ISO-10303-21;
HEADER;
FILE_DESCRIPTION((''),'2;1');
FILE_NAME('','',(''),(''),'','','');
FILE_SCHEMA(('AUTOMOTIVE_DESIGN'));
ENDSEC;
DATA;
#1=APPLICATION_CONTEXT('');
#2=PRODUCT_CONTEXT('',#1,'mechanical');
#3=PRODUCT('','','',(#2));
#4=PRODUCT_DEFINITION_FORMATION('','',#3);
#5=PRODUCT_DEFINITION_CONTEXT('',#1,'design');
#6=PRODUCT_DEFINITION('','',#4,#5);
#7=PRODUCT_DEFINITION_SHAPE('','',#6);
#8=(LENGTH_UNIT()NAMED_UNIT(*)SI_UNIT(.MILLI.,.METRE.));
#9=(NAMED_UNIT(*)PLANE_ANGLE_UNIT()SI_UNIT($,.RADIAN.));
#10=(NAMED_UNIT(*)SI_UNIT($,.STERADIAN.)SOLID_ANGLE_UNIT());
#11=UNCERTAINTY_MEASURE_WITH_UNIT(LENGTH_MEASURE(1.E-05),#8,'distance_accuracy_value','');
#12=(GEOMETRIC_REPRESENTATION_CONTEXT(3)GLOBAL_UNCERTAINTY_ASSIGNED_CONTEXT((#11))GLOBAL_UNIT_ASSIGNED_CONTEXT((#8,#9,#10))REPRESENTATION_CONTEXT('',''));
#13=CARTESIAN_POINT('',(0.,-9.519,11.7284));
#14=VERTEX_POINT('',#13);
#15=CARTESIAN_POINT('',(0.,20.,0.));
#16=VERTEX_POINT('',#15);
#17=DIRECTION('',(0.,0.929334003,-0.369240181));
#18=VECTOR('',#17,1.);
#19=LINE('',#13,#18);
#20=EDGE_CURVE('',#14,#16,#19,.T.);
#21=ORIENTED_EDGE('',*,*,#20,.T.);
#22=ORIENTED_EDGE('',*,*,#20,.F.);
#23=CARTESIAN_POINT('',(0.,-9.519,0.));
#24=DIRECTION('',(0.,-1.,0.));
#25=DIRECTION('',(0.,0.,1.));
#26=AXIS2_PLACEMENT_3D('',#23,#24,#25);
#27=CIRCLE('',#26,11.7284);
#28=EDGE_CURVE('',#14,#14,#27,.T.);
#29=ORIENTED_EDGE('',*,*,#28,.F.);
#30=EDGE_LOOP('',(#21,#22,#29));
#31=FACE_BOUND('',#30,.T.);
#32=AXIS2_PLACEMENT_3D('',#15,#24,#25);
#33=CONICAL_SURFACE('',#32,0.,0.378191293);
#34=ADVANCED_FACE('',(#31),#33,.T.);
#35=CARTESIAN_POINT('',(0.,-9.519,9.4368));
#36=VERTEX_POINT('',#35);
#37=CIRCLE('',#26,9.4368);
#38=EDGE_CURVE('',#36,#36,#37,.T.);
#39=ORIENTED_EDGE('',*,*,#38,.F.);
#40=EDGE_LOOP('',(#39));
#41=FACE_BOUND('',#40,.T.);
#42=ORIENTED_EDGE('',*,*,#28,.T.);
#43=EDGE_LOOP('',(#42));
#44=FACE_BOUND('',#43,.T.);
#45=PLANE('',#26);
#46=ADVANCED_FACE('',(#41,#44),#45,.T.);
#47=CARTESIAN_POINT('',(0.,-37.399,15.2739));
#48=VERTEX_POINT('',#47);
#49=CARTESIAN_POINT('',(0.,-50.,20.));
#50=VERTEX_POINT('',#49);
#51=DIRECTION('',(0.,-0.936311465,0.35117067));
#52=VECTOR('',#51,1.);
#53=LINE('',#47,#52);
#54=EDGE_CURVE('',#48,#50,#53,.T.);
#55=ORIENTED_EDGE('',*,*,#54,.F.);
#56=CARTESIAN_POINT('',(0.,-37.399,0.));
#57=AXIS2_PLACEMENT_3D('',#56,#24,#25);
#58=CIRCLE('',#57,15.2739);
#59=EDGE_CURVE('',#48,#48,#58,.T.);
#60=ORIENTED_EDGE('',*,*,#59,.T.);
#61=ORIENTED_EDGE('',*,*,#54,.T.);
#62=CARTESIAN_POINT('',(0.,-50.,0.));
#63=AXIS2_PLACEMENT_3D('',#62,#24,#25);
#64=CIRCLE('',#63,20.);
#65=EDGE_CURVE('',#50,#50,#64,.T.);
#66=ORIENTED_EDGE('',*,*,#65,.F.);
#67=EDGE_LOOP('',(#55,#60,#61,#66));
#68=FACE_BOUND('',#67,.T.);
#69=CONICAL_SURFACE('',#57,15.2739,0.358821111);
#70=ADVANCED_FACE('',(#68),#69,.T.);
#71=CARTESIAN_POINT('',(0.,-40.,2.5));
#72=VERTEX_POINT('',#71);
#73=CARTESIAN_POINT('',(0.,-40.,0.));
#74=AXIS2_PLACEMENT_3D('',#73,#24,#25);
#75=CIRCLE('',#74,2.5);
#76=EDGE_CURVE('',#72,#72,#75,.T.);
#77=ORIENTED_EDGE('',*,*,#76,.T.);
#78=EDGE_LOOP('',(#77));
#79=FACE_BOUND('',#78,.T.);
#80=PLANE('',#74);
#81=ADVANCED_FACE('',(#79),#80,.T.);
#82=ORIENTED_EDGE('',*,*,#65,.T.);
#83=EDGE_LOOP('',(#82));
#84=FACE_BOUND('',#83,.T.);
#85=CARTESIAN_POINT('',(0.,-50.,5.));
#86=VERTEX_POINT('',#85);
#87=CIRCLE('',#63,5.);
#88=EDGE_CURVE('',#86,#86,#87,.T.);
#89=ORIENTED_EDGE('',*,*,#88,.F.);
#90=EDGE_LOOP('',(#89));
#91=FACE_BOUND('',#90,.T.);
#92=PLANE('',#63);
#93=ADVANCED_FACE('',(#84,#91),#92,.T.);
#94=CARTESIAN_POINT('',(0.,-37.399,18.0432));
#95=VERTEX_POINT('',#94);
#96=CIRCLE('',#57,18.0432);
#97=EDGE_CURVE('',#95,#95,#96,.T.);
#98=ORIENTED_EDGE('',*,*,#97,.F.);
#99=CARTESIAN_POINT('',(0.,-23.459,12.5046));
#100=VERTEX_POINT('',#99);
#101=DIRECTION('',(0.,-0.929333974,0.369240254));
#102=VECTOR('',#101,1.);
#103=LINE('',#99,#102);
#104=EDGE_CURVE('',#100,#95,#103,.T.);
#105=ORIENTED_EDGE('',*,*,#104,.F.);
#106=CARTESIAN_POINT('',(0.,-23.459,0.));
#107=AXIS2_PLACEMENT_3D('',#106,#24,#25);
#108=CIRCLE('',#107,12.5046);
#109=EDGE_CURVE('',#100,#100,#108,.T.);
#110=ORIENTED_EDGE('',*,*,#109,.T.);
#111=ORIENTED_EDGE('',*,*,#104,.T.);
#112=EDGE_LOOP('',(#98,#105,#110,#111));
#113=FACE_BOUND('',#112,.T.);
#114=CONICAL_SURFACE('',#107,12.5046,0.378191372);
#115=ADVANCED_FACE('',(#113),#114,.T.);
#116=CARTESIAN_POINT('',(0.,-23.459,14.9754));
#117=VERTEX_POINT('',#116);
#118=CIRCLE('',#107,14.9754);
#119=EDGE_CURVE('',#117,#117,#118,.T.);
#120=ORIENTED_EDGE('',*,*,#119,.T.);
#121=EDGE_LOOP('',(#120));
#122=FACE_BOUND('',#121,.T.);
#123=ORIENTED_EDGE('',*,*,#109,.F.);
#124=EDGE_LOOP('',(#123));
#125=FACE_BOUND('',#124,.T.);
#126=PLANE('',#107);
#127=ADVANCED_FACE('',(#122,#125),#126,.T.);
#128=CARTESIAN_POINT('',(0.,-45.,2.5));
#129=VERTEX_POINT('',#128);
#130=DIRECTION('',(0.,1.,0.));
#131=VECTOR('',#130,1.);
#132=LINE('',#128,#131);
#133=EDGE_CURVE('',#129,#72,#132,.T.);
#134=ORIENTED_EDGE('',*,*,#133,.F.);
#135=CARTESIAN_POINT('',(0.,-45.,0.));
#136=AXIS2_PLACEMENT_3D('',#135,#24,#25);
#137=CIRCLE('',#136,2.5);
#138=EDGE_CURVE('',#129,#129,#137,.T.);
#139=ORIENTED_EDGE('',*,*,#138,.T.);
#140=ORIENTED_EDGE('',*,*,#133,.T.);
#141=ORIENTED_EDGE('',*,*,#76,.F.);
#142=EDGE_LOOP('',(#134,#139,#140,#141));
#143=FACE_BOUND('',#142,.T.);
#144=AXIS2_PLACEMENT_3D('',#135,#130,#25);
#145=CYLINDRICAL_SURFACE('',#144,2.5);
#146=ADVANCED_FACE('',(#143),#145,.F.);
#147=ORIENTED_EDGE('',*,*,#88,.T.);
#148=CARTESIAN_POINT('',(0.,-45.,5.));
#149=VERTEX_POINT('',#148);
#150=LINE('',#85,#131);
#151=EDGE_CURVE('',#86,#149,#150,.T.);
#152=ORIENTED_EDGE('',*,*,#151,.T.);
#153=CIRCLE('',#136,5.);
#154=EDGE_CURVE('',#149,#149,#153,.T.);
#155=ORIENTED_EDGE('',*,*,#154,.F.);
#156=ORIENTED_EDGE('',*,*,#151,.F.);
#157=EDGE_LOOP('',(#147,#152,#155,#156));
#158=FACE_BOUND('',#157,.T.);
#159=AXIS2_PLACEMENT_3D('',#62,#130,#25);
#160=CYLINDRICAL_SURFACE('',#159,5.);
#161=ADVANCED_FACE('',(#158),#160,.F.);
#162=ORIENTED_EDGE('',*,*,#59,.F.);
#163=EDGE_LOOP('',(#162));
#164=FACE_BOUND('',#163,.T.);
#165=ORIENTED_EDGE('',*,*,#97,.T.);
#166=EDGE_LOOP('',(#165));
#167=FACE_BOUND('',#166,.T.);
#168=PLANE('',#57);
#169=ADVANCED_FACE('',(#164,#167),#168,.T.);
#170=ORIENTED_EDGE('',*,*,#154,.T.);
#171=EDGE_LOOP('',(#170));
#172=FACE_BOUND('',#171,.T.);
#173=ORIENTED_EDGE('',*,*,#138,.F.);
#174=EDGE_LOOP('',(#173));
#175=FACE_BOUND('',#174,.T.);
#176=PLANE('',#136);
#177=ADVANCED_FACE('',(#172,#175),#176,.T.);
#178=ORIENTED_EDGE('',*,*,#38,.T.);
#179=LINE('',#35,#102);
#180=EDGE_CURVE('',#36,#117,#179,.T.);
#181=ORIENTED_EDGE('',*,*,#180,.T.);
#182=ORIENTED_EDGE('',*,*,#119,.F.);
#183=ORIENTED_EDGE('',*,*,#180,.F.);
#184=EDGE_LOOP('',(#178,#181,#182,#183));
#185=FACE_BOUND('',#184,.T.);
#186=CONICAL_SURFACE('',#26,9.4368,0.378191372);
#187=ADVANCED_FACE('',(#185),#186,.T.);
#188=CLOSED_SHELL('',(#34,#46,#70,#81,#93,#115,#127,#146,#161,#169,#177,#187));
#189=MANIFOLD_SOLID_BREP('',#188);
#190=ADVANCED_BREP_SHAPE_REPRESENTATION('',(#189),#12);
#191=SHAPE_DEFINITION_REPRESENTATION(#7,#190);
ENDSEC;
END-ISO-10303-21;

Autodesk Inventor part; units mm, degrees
sketch "Sketch1" plane through (0, 0, 0) normal (1, 0, 0) x (0, 1, 0)
  line L0 (20, 20) -> (-50, 20)
  line L1 (-50, 20) -> (-50, -20)
  line L2 (-50, -20) -> (20, -20)
  line L3 (20, -20) -> (20, 20)
  line L4 (-64, 0) -> (34, 0) projected
  line L5 (0, 28) -> (0, -28) projected
  line L6 (-50, 5) -> (-45, 5)
  line L7 (-45, 5) -> (-45, -5)
  line L8 (-45, -5) -> (-50, -5)
  line L9 (-50, -5) -> (-50, 5)
  line L10 (-45, 2.5) -> (-40, 2.5)
  line L11 (-40, 2.5) -> (-40, -2.5)
  line L12 (-40, -2.5) -> (-45, -2.5)
  line L13 (-45, -2.5) -> (-45, 2.5)
  line L14 (20, 0) -> (-9.519, 11.7284)
  line L15 (-9.519, 11.7284) -> (-9.519, 5)
  line L16 (20, 0) -> (-50, 0)
  line L17 (-9.519, 9.4368) -> (-23.459, 14.9754)
  line L18 (-23.459, 14.9754) -> (-23.459, 5)
  line L19 (-23.459, 12.5046) -> (-37.399, 18.0432)
  line L20 (-37.399, 18.0432) -> (-37.399, 5)
  line L21 (-37.399, 15.2739) -> (-50, 20)
  point P0 (0, 0)
  point P1 (-45, 0)
  point P2 (-40, 0)
  point P3 (0, 5)
  point P4 (0, 2.5)
  point P5 (0, 7.9463)
  dimension "d0" = 70
  dimension "d1" = 40
  dimension "d2" = 20
  dimension "d3" = 5
  dimension "d4" = 10
  dimension "d5" = 5
  dimension "d6" = 5
  dimension "d8" = 15
  dimension "d9" = 15
revolve "Revolution2" add sketch "Sketch1" angle 360 about axis through (0, 20, 0) along (0, -1, 0) contours L4 L5 L14 | L21 L20 L19 L18 L17 L15 L14 L5 L4 L11 L10 L7 L6 L1
properties part number "Tree_Leaves"
